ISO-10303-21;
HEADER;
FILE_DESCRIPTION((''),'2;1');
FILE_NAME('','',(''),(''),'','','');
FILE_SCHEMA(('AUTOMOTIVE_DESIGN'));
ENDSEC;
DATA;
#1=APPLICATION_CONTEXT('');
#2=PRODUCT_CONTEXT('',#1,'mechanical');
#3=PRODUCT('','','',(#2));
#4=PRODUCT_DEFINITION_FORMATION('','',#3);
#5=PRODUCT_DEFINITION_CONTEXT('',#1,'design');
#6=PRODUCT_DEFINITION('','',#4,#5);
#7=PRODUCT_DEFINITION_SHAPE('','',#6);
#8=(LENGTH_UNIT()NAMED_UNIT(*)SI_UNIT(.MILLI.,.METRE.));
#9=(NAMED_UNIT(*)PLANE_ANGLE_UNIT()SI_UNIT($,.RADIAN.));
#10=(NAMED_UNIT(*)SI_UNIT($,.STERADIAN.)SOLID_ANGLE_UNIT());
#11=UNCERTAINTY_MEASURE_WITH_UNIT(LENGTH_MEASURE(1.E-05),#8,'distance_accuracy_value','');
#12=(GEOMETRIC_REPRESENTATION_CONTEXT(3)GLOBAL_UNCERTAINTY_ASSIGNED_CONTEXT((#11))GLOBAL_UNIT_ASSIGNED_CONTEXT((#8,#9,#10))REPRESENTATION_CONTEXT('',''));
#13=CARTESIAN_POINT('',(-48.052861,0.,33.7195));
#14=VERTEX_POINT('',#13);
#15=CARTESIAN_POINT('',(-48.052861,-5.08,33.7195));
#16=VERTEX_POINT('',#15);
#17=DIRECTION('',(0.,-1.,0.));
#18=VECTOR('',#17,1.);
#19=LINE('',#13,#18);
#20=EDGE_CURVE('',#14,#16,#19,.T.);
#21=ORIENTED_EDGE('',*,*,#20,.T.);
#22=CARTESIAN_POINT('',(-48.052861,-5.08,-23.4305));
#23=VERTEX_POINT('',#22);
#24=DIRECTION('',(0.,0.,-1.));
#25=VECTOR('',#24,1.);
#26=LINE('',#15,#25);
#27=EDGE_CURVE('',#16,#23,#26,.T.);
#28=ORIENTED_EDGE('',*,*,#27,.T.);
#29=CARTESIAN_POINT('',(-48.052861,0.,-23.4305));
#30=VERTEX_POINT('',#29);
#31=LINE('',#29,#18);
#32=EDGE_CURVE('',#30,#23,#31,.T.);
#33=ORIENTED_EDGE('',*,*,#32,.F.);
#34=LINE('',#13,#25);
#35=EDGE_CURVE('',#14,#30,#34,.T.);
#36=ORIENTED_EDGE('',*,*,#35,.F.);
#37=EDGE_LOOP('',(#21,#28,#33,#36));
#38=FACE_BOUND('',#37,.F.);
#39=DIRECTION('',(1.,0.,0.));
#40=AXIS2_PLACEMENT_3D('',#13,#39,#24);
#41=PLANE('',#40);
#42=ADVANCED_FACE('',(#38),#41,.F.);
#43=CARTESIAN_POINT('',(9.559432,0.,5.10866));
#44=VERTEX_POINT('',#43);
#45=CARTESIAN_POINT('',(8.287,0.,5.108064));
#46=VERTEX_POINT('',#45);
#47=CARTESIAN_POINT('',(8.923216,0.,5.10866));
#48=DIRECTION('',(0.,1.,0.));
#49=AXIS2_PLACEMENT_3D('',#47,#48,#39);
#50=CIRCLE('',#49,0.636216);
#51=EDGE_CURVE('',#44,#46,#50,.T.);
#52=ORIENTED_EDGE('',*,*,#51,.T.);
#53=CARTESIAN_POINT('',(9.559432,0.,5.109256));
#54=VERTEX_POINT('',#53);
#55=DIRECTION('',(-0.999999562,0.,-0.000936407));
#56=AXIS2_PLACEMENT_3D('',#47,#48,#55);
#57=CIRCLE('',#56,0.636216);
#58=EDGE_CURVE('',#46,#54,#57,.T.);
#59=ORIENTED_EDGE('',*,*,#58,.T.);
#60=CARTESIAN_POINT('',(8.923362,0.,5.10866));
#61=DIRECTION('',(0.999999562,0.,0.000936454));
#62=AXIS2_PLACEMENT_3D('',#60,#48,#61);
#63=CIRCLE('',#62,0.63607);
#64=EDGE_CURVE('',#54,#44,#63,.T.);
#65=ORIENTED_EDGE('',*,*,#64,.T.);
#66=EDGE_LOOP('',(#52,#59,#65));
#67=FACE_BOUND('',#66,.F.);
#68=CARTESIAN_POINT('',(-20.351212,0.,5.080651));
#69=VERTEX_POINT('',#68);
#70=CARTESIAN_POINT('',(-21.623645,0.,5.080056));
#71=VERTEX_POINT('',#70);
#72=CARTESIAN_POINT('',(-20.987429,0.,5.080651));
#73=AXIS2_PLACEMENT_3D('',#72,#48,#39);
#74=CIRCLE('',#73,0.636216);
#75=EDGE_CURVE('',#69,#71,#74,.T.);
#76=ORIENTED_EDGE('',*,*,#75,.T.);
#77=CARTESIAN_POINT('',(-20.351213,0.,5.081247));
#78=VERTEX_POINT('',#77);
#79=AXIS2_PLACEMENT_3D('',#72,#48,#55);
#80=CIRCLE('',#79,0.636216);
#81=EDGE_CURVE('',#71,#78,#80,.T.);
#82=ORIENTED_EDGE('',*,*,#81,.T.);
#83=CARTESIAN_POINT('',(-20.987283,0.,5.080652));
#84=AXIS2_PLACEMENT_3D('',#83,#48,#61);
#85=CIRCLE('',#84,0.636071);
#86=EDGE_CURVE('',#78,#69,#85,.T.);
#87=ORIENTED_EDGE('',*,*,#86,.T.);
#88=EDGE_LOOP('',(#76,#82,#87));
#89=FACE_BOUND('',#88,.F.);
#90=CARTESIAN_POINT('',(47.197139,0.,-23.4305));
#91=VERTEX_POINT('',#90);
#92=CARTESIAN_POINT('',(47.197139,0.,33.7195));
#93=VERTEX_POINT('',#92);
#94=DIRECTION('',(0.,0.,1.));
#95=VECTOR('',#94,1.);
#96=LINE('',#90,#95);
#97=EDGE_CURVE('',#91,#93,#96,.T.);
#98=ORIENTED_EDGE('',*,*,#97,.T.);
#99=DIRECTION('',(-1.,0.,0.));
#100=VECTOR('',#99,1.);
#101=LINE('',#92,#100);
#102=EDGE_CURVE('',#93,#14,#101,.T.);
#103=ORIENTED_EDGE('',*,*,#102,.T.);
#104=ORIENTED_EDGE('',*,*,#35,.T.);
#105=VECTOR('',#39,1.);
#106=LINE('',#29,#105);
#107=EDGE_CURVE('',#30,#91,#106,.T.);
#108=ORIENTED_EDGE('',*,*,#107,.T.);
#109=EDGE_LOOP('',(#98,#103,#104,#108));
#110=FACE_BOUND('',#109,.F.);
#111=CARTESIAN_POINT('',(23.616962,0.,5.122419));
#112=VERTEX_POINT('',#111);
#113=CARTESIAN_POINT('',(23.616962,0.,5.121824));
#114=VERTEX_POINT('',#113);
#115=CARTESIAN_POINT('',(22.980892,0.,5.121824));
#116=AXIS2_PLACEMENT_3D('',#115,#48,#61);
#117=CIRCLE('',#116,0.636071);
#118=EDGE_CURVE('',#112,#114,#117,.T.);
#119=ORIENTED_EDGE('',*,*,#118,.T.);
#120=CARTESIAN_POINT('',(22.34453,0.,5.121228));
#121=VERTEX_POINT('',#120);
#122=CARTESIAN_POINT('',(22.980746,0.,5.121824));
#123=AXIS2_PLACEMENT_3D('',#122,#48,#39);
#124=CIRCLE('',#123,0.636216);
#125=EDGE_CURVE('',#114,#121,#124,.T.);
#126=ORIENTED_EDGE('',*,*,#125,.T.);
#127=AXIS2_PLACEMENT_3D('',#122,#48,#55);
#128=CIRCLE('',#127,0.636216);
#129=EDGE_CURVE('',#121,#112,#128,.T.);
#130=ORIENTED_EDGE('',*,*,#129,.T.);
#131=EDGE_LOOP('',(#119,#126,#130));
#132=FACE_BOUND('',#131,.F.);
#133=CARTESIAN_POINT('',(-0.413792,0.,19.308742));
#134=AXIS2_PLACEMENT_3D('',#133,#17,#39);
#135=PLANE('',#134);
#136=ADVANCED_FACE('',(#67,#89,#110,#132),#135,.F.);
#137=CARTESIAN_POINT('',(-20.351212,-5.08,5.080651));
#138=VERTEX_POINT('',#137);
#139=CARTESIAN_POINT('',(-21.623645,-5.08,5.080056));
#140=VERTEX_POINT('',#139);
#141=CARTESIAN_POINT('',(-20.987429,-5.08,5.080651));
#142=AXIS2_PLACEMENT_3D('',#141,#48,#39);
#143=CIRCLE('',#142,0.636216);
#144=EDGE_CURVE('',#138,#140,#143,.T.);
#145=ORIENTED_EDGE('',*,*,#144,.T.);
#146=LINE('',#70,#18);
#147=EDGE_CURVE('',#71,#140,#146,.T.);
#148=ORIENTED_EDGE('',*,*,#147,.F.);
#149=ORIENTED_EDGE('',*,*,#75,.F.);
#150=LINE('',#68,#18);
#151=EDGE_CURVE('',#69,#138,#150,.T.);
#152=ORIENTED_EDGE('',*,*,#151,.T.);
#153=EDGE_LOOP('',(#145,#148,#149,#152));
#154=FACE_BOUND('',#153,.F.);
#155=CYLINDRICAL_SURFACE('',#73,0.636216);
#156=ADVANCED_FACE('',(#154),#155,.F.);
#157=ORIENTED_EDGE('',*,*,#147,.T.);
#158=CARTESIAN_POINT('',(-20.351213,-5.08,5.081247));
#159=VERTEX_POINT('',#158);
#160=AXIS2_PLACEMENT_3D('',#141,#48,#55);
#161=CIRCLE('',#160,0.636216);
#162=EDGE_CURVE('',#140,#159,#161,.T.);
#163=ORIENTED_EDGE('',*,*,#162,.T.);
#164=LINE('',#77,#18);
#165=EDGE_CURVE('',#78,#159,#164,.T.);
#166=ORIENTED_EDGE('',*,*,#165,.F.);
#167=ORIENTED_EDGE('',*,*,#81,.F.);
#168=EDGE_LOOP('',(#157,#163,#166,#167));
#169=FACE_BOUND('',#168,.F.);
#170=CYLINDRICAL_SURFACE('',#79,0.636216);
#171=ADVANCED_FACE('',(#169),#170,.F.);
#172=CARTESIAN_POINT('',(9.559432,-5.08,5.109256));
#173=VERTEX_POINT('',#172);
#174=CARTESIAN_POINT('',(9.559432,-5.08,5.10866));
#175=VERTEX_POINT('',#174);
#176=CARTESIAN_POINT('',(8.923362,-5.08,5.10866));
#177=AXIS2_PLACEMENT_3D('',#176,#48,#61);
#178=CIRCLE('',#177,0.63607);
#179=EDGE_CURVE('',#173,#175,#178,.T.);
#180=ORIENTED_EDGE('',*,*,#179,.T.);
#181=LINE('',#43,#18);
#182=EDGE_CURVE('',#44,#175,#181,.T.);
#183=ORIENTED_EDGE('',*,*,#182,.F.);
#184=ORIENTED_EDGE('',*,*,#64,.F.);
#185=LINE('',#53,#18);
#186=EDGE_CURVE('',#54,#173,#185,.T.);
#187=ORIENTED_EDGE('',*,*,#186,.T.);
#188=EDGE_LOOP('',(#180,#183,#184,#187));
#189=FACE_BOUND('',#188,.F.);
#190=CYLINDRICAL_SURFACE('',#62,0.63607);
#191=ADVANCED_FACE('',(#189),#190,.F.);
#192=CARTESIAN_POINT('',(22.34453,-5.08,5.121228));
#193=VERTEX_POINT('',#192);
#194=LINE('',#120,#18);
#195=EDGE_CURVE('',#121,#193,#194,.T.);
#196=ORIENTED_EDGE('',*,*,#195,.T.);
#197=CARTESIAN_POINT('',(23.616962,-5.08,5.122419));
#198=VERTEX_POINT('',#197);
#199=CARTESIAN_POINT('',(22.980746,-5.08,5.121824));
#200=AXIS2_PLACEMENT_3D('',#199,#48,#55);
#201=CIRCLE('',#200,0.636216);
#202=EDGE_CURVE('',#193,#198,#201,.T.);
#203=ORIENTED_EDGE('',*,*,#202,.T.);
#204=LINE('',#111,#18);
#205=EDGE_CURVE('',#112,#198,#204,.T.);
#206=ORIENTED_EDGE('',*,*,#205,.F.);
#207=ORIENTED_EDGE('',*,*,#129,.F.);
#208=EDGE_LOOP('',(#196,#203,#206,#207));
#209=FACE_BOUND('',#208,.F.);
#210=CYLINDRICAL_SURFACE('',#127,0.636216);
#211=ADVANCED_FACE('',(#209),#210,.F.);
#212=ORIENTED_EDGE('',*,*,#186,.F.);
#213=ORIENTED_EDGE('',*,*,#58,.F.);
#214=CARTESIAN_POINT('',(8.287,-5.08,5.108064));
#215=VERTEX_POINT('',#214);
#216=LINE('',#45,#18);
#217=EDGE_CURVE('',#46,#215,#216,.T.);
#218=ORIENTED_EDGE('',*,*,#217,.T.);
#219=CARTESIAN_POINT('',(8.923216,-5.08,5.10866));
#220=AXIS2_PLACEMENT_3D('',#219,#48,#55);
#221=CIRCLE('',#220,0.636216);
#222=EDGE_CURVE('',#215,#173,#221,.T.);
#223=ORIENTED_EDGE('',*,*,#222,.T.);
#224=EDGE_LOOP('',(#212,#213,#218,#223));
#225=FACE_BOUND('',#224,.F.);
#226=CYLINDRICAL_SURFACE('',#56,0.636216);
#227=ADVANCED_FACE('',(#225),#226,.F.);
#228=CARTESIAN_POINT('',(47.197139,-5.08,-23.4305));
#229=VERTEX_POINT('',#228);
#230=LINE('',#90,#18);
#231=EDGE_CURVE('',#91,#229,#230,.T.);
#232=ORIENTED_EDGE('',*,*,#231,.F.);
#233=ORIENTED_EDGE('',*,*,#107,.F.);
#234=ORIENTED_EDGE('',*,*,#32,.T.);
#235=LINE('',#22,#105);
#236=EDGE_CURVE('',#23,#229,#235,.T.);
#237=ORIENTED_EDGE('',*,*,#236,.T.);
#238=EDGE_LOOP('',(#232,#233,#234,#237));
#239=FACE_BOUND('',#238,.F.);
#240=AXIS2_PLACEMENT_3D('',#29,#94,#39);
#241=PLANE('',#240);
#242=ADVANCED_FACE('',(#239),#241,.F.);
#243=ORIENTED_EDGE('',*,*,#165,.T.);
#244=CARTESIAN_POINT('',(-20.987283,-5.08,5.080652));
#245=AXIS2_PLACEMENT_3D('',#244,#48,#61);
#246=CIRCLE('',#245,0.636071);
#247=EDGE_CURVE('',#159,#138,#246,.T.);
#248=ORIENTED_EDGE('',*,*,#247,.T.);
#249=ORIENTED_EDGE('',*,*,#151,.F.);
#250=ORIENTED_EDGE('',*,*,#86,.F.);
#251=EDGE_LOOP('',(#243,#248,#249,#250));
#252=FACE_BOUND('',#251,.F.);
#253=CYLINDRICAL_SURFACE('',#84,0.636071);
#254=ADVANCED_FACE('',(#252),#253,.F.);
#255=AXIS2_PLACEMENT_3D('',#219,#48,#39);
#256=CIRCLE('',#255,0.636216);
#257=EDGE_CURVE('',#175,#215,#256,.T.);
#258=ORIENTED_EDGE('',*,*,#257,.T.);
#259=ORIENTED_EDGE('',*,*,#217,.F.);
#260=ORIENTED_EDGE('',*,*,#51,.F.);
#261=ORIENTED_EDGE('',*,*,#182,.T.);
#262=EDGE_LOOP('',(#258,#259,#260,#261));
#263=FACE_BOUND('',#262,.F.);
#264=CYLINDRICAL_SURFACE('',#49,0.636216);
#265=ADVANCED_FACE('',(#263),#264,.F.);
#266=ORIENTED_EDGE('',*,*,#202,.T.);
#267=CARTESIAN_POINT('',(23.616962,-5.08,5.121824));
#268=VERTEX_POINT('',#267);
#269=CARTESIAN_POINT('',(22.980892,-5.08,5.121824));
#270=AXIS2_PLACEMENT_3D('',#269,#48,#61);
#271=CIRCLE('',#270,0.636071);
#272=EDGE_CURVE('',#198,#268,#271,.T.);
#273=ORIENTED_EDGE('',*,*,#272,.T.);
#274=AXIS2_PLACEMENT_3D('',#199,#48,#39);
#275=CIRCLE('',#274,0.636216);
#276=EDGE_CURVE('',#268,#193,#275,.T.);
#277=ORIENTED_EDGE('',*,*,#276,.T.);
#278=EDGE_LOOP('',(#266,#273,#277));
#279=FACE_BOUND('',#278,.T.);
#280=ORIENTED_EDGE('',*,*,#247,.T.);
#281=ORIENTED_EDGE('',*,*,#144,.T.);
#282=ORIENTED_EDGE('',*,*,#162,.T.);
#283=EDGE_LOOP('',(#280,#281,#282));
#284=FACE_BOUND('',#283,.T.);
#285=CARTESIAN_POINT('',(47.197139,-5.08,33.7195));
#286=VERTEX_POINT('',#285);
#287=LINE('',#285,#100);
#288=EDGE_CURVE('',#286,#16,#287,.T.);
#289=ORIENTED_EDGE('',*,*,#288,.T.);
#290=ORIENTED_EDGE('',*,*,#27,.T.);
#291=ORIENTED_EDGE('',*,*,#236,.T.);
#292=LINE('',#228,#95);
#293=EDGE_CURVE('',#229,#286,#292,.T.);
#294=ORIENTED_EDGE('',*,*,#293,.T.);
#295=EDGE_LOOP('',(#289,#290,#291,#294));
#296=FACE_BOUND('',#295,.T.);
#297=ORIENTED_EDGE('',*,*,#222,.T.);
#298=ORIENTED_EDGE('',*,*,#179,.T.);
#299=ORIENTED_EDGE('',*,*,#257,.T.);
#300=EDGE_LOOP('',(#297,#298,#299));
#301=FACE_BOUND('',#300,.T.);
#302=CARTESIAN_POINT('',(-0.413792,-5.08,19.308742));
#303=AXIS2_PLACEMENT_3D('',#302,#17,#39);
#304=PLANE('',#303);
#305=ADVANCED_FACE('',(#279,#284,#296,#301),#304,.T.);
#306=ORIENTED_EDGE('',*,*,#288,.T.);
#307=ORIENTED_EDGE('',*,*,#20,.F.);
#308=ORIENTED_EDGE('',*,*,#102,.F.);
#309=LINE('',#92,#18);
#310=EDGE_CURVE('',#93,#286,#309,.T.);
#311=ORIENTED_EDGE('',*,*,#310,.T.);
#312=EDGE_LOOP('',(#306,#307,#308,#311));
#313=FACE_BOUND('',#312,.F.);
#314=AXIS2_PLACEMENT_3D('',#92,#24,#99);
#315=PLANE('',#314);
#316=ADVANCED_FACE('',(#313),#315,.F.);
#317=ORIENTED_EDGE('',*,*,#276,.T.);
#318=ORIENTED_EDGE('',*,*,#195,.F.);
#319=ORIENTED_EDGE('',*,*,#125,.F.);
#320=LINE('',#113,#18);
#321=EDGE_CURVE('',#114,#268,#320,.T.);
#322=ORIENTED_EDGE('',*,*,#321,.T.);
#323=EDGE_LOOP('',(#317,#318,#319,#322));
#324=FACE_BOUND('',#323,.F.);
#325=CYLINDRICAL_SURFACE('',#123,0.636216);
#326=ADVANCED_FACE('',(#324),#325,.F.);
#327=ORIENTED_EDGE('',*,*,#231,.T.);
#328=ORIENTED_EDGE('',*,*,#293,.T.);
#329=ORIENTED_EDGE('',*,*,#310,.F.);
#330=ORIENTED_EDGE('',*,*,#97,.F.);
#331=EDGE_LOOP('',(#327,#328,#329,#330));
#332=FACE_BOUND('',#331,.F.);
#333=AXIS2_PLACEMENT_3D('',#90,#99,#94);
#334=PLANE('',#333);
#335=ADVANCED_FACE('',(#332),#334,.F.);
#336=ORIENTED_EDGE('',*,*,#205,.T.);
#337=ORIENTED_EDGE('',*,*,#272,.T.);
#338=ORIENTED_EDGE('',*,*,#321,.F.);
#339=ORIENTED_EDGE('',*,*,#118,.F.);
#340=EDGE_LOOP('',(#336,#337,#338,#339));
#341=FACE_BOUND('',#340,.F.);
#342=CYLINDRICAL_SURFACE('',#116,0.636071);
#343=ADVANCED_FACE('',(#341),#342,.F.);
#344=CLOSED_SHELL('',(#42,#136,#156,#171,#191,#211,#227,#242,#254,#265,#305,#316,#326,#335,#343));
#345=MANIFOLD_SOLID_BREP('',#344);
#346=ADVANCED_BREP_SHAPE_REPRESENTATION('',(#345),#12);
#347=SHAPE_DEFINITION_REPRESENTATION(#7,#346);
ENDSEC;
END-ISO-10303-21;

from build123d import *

# Parameters (mm, degrees)
F1_DEPTH = 5.08


with BuildPart() as f1:
    # F0 (on Front) → F1 (new body)
    with BuildSketch(Plane.XZ):
        with BuildLine():
            Line((-22.6528607666, 33.7195000469), (-48.0528607666, 33.7195000469))
            Line((-48.0528607666, 33.7195000469), (-48.0528607666, 13.0820000469))
            Line((-48.0528607666, 13.0820000469), (-48.0528607666, 5.0553071935))
            Line((-48.0528607666, 5.0553071935), (-21.6236447839, 5.0800557204))
            ThreePointArc((-21.6236447839, 5.0800557204), (-20.9880244621, 5.7168675577), (-20.3512126248, 5.081247236))
            Line((-20.3512126248, 5.081247236), (8.2869998682, 5.1080642847))
            ThreePointArc((8.2869998682, 5.1080642847), (8.9226201899, 5.744876122), (9.5594320273, 5.1092558002))
            Line((9.5594320273, 5.1092558002), (22.3445299864, 5.1212278671))
            ThreePointArc((22.3445299864, 5.1212278671), (22.9801503081, 5.7580397044), (23.6169621455, 5.1224193826))
            Line((23.6169621455, 5.1224193826), (47.1971392334, 5.1445000469))
            Line((47.1971392334, 5.1445000469), (47.1971392334, 33.7195000469))
            Line((47.1971392334, 33.7195000469), (20.2096392334, 33.7195000469))
            Line((20.2096392334, 33.7195000469), (5.9221392334, 33.7195000469))
            Line((5.9221392334, 33.7195000469), (-22.6528607666, 33.7195000469))
        make_face()
        with BuildLine():
            Line((-21.6236447839, 5.0800557204), (-48.0528607666, 5.0553071935))
            Line((-48.0528607666, 5.0553071935), (-48.0528607666, -1.2054999531))
            Line((-48.0528607666, -1.2054999531), (-48.0528607666, -23.4304999531))
            Line((-48.0528607666, -23.4304999531), (47.1971392334, -23.4304999531))
            Line((47.1971392334, -23.4304999531), (47.1971392334, 5.1445000469))
            Line((47.1971392334, 5.1445000469), (23.6169621455, 5.1224193826))
            ThreePointArc((23.6169621455, 5.1224193826), (23.6169623547, 5.1221215037), (23.6169624244, 5.1218236248))
            ThreePointArc((23.6169624244, 5.1218236248), (22.9810439448, 4.4856073361), (22.3445299864, 5.1212278671))
            Line((22.3445299864, 5.1212278671), (9.5594320273, 5.1092558002))
            ThreePointArc((9.5594320273, 5.1092558002), (9.5594322365, 5.1089579214), (9.5594323062, 5.1086600424))
            ThreePointArc((9.5594323062, 5.1086600424), (8.9235138266, 4.4724437537), (8.2869998682, 5.1080642847))
            Line((8.2869998682, 5.1080642847), (-20.3512126248, 5.081247236))
            ThreePointArc((-20.3512126248, 5.081247236), (-20.3512124156, 5.0809493571), (-20.3512123459, 5.0806514782))
            ThreePointArc((-20.3512123459, 5.0806514782), (-20.9871308254, 4.4444351895), (-21.6236447839, 5.0800557204))
        make_face()
    extrude(amount=F1_DEPTH)


solid = f1.part
